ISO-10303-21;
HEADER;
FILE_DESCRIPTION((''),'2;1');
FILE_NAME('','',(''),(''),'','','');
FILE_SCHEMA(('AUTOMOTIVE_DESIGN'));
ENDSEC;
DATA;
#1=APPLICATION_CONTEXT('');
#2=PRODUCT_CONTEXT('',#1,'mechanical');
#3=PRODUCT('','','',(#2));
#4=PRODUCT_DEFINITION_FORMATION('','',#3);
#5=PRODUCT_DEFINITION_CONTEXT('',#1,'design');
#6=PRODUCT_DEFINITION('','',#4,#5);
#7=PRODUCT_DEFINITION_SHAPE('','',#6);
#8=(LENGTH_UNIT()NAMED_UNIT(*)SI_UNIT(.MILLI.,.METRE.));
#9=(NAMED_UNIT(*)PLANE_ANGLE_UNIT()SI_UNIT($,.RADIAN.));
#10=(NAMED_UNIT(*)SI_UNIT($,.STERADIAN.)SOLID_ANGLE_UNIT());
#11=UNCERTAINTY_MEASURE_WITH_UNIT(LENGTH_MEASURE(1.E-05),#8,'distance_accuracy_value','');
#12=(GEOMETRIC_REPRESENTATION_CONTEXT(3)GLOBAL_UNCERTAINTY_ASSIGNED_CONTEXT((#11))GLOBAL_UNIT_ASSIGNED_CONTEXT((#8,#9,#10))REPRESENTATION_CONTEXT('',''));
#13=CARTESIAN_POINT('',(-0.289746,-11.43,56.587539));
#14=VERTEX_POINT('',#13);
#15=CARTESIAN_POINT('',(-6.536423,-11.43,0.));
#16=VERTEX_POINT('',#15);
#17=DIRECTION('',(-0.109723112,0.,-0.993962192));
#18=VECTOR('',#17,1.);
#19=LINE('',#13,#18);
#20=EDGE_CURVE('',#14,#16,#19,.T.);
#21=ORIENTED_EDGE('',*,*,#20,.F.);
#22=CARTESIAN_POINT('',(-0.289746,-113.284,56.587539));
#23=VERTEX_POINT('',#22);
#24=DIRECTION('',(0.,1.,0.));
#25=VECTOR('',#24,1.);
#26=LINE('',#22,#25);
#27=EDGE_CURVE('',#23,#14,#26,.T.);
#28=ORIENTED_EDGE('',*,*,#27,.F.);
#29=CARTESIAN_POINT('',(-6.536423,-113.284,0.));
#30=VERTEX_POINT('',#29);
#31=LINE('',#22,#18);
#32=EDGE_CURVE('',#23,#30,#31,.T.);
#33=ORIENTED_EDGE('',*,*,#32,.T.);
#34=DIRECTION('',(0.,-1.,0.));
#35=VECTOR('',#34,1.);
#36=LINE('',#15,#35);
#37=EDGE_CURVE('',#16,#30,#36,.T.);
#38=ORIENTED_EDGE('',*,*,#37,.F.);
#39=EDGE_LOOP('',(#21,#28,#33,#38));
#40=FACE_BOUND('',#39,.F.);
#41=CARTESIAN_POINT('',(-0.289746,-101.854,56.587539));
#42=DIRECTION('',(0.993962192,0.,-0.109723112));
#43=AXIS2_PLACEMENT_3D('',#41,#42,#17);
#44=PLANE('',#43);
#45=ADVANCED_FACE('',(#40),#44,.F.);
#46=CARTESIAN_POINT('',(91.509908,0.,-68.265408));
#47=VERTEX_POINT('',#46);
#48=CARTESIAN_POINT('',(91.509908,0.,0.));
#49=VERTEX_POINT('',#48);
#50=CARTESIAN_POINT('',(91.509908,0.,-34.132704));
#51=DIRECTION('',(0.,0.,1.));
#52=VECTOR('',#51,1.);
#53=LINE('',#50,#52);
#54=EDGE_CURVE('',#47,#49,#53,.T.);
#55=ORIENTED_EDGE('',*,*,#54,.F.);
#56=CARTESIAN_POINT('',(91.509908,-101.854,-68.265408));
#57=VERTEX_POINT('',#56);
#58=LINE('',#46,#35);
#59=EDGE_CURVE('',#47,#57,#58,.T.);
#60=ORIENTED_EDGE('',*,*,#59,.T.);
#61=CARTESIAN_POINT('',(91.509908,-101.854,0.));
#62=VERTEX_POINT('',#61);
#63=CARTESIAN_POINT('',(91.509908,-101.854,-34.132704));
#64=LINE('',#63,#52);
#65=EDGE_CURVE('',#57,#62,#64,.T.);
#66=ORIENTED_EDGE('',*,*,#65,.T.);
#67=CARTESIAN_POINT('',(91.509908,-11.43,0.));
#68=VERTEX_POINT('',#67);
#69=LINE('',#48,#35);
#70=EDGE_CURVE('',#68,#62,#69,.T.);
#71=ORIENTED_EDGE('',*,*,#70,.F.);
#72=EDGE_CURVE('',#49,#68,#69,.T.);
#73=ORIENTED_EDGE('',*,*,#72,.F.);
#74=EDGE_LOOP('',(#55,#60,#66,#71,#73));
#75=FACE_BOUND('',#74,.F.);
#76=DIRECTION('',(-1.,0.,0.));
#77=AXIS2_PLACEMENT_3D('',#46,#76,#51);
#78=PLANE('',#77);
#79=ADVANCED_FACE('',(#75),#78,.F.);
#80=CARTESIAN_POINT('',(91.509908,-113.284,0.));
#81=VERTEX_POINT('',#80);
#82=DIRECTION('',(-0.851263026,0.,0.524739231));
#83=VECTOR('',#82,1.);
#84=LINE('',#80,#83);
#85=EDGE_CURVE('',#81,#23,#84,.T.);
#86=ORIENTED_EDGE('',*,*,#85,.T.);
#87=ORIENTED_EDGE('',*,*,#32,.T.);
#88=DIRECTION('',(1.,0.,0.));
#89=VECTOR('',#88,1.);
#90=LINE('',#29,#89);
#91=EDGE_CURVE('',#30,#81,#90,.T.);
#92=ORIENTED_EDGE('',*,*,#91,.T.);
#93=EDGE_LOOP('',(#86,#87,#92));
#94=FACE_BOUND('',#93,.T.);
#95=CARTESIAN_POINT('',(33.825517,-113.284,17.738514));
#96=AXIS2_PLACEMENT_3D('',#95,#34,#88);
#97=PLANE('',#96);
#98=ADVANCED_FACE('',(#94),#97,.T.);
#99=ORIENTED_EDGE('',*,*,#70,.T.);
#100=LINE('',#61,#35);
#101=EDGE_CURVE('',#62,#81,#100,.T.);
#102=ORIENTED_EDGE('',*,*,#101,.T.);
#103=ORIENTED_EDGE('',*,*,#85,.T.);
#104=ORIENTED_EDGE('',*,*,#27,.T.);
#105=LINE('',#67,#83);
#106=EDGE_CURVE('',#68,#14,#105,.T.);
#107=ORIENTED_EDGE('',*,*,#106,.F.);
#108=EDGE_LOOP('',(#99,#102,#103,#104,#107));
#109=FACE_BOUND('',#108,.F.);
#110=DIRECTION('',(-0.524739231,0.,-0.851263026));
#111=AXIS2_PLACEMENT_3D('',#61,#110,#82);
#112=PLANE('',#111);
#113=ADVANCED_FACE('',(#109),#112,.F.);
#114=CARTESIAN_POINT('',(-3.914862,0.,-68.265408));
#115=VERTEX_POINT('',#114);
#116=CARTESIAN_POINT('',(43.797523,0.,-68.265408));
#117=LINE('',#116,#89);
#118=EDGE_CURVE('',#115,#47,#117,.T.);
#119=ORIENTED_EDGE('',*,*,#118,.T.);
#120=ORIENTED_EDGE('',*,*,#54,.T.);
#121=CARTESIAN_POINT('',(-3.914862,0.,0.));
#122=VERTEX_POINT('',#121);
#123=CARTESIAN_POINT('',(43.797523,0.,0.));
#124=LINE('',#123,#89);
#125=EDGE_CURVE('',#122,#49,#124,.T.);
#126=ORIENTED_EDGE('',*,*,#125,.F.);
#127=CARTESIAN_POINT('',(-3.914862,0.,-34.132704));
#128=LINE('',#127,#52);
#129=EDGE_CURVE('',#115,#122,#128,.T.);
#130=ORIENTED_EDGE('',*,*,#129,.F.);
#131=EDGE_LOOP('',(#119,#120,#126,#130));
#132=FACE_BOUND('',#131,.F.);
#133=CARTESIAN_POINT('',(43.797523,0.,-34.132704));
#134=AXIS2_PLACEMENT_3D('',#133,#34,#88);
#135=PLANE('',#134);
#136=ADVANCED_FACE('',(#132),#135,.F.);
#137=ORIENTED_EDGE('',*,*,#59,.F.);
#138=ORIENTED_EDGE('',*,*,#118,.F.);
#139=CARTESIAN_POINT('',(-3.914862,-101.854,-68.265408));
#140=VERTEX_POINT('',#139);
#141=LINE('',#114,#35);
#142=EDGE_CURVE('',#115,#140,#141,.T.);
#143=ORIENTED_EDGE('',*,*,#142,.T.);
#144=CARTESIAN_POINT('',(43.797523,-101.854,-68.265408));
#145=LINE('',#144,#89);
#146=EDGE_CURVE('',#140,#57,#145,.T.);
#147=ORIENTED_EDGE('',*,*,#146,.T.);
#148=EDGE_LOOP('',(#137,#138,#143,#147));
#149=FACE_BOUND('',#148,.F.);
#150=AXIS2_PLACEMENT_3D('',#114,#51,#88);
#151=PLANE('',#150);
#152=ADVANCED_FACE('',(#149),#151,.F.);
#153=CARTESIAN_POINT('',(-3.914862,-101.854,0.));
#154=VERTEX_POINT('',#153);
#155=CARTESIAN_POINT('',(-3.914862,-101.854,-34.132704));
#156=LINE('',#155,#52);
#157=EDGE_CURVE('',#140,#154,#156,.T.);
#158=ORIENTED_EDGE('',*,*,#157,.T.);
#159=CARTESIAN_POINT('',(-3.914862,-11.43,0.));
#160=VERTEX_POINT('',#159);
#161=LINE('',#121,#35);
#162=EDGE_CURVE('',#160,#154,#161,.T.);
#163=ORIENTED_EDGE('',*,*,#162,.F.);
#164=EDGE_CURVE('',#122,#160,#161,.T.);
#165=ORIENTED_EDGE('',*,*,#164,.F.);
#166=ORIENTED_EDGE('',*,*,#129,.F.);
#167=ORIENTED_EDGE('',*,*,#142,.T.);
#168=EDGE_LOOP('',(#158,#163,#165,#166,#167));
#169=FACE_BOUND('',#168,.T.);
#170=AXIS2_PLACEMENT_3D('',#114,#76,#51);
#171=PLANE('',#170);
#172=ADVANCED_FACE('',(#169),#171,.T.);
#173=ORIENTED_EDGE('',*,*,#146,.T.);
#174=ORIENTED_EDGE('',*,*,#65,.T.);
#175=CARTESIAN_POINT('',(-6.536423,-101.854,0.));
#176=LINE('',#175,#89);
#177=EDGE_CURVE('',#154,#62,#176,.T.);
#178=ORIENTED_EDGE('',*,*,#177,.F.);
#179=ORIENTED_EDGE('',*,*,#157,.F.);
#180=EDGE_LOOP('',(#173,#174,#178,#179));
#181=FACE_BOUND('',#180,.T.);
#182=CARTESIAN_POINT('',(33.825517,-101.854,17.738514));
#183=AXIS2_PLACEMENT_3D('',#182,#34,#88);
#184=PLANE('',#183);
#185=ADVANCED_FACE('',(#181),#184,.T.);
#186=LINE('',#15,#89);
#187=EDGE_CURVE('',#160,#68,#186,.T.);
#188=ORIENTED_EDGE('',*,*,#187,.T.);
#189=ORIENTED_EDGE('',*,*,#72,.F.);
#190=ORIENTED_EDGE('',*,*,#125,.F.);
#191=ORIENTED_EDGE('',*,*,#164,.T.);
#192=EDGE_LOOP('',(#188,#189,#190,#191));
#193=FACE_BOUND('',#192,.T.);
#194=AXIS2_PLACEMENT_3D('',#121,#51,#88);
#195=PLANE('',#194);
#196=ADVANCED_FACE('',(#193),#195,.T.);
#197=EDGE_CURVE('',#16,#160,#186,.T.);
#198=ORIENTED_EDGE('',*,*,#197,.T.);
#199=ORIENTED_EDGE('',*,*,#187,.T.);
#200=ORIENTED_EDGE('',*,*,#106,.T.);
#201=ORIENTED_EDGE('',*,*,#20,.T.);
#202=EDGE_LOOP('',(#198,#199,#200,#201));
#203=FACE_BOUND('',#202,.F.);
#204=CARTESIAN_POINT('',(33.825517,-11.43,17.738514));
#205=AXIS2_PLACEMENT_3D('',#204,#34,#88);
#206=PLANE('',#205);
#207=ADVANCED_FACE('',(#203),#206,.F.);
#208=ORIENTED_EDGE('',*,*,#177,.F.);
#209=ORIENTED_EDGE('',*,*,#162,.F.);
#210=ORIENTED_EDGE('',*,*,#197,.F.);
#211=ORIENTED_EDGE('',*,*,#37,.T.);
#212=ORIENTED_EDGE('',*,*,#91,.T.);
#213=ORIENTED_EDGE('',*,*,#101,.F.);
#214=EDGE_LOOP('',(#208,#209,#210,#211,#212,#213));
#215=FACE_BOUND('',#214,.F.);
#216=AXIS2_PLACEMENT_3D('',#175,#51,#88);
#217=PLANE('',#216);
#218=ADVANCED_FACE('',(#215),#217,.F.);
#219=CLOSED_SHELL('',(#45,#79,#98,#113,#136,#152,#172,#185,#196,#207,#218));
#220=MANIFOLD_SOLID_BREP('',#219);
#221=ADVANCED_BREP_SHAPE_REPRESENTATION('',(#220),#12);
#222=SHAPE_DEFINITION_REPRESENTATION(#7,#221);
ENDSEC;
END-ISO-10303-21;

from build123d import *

# Parameters (mm, degrees)
F0_W          = 95.4247708432
F0_H          = 68.2654082775
F1_DEPTH      = 101.854
F3_DEPTH      = 90.424
F3_DEPTH_BACK = 11.43


with BuildPart() as f1:
    # F0 (on Front) → F1 (new body)
    with BuildSketch(Plane.XZ):
        with Locations((43.7975230161, -34.1327041388)):
            Rectangle(F0_W, F0_H)
    extrude(amount=F1_DEPTH)

    # F2 (on face) → F3 (join, two sides)
    with BuildSketch(Plane.XZ.offset(101.854)) as f3_sk:
        Polygon((-0.2897456373, 56.5875391827), (-6.536422763, 0), (91.5099084377, 0), align=None)
    extrude(amount=-F3_DEPTH)
    extrude(f3_sk.sketch, amount=F3_DEPTH_BACK)


solid = f1.part
